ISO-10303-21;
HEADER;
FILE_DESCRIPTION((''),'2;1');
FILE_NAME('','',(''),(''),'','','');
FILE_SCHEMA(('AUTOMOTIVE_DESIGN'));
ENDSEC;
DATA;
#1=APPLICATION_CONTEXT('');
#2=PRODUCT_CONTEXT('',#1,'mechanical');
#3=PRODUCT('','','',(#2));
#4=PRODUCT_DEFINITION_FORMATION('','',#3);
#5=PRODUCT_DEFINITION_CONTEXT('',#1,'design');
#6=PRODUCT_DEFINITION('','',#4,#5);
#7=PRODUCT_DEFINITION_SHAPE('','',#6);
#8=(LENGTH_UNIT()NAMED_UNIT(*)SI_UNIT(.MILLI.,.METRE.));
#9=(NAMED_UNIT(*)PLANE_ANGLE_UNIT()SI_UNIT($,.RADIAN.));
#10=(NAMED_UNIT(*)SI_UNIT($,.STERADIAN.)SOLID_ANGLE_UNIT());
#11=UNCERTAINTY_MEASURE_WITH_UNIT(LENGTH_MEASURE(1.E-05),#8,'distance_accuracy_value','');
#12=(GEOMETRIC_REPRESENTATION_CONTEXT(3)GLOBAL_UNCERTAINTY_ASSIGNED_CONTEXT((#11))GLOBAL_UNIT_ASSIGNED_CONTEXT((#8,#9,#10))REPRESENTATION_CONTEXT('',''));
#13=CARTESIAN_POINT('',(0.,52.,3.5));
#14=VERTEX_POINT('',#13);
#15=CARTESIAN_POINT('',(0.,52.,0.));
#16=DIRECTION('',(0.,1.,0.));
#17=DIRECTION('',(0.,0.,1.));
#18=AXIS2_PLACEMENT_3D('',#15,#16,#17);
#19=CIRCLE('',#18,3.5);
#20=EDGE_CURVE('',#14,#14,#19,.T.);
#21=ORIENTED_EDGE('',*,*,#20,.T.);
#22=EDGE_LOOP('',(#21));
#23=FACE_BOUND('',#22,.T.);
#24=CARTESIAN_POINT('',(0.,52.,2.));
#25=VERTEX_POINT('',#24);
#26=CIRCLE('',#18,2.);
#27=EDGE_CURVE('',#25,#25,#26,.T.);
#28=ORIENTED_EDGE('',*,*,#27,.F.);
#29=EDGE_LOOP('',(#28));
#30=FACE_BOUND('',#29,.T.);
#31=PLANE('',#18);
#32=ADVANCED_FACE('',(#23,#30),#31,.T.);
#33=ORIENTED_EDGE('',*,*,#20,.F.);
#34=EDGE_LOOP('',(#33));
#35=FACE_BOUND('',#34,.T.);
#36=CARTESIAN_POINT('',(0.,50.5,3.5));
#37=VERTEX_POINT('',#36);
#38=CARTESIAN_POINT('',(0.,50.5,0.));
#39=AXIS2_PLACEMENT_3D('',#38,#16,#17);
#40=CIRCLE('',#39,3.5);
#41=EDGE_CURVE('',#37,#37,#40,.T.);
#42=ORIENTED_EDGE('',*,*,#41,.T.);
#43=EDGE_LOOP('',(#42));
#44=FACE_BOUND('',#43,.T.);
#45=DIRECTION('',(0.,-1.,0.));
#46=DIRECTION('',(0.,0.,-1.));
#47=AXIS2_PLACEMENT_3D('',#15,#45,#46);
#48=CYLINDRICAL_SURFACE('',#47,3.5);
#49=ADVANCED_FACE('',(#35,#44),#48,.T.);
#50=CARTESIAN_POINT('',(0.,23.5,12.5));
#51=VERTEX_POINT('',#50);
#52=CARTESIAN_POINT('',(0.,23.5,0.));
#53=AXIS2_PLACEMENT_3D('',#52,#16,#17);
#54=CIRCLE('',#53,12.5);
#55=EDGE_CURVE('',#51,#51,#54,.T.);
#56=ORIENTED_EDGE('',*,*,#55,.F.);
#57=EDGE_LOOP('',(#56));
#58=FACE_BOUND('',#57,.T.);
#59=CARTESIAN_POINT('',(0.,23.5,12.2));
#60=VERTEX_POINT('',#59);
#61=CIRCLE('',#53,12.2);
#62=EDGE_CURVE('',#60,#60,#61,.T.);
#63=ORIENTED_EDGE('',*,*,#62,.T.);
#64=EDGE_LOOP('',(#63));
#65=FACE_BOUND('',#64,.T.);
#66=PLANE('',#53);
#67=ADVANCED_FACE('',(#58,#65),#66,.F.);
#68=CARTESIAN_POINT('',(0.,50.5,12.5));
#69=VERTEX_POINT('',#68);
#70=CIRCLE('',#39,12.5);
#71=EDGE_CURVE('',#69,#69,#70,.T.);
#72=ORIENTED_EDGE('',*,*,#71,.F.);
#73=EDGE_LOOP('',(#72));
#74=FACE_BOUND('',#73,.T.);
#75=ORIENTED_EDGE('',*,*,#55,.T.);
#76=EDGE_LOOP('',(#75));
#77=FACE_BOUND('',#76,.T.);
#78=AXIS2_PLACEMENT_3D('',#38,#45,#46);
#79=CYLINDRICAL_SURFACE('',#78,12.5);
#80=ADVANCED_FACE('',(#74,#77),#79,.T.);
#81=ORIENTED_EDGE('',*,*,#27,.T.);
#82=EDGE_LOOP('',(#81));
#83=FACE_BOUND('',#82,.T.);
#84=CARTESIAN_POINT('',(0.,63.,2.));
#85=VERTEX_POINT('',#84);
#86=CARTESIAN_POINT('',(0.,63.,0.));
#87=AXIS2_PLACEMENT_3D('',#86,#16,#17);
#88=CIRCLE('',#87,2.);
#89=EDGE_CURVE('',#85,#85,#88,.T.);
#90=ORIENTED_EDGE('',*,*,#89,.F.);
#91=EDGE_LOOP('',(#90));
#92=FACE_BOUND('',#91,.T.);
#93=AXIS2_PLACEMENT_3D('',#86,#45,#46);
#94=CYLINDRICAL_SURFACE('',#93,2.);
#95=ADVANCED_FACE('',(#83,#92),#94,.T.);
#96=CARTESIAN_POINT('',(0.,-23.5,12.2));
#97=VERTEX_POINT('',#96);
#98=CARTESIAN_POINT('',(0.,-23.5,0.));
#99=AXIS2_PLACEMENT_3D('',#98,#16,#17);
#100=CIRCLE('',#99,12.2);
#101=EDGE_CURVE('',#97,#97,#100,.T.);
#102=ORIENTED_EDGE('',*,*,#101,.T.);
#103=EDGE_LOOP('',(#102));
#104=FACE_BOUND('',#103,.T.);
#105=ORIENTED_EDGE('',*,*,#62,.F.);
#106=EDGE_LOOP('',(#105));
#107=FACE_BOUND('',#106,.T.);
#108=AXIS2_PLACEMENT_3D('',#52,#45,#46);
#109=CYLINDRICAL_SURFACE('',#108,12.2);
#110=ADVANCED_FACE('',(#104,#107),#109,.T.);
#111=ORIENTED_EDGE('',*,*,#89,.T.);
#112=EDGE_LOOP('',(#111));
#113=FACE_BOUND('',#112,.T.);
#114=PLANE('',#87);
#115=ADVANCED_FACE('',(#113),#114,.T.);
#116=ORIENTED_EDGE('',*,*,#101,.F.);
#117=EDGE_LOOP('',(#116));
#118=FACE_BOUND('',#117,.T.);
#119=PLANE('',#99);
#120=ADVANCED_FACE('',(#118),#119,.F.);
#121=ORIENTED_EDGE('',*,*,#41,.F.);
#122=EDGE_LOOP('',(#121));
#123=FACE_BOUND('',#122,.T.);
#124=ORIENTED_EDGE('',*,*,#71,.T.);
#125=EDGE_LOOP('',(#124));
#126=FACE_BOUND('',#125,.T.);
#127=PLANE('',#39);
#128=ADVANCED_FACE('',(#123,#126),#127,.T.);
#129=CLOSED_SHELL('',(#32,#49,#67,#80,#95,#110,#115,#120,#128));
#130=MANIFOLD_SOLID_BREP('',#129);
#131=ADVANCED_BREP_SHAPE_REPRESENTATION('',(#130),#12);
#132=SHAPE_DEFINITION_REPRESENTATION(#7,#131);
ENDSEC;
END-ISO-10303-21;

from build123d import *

# Parameters (mm, degrees)
SKETCH1_R           = 12.2
BOSS_EXTRUDE1_DEPTH = 23.5
SKETCH2_R           = 12.5
BOSS_EXTRUDE2_DEPTH = 27
SKETCH3_R           = 3.5
BOSS_EXTRUDE3_DEPTH = 1.5
SKETCH4_R           = 2
BOSS_EXTRUDE4_DEPTH = 11


with BuildPart() as part:
    # Sketch1 → Boss-Extrude1 (new body, symmetric)
    with BuildSketch(Plane(origin=(0, 0, 0), x_dir=(1, 0, 0), z_dir=(0, 1, 0))):
        Circle(SKETCH1_R)
    extrude(amount=BOSS_EXTRUDE1_DEPTH, both=True)

    # Sketch2 → Boss-Extrude2 (add)
    with BuildSketch(Plane(origin=(0, 23.5, 0), x_dir=(1, 0, 0), z_dir=(0, 1, 0))):
        Circle(SKETCH2_R)
    extrude(amount=BOSS_EXTRUDE2_DEPTH)

    # Sketch3 → Boss-Extrude3 (add)
    with BuildSketch(Plane(origin=(0, 50.5, 0), x_dir=(1, 0, 0), z_dir=(0, 1, 0))):
        Circle(SKETCH3_R)
    extrude(amount=BOSS_EXTRUDE3_DEPTH)

    # Sketch4 → Boss-Extrude4 (add)
    with BuildSketch(Plane(origin=(0, 52, 0), x_dir=(1, 0, 0), z_dir=(0, 1, 0))):
        Circle(SKETCH4_R)
    extrude(amount=BOSS_EXTRUDE4_DEPTH)


solid = part.part
